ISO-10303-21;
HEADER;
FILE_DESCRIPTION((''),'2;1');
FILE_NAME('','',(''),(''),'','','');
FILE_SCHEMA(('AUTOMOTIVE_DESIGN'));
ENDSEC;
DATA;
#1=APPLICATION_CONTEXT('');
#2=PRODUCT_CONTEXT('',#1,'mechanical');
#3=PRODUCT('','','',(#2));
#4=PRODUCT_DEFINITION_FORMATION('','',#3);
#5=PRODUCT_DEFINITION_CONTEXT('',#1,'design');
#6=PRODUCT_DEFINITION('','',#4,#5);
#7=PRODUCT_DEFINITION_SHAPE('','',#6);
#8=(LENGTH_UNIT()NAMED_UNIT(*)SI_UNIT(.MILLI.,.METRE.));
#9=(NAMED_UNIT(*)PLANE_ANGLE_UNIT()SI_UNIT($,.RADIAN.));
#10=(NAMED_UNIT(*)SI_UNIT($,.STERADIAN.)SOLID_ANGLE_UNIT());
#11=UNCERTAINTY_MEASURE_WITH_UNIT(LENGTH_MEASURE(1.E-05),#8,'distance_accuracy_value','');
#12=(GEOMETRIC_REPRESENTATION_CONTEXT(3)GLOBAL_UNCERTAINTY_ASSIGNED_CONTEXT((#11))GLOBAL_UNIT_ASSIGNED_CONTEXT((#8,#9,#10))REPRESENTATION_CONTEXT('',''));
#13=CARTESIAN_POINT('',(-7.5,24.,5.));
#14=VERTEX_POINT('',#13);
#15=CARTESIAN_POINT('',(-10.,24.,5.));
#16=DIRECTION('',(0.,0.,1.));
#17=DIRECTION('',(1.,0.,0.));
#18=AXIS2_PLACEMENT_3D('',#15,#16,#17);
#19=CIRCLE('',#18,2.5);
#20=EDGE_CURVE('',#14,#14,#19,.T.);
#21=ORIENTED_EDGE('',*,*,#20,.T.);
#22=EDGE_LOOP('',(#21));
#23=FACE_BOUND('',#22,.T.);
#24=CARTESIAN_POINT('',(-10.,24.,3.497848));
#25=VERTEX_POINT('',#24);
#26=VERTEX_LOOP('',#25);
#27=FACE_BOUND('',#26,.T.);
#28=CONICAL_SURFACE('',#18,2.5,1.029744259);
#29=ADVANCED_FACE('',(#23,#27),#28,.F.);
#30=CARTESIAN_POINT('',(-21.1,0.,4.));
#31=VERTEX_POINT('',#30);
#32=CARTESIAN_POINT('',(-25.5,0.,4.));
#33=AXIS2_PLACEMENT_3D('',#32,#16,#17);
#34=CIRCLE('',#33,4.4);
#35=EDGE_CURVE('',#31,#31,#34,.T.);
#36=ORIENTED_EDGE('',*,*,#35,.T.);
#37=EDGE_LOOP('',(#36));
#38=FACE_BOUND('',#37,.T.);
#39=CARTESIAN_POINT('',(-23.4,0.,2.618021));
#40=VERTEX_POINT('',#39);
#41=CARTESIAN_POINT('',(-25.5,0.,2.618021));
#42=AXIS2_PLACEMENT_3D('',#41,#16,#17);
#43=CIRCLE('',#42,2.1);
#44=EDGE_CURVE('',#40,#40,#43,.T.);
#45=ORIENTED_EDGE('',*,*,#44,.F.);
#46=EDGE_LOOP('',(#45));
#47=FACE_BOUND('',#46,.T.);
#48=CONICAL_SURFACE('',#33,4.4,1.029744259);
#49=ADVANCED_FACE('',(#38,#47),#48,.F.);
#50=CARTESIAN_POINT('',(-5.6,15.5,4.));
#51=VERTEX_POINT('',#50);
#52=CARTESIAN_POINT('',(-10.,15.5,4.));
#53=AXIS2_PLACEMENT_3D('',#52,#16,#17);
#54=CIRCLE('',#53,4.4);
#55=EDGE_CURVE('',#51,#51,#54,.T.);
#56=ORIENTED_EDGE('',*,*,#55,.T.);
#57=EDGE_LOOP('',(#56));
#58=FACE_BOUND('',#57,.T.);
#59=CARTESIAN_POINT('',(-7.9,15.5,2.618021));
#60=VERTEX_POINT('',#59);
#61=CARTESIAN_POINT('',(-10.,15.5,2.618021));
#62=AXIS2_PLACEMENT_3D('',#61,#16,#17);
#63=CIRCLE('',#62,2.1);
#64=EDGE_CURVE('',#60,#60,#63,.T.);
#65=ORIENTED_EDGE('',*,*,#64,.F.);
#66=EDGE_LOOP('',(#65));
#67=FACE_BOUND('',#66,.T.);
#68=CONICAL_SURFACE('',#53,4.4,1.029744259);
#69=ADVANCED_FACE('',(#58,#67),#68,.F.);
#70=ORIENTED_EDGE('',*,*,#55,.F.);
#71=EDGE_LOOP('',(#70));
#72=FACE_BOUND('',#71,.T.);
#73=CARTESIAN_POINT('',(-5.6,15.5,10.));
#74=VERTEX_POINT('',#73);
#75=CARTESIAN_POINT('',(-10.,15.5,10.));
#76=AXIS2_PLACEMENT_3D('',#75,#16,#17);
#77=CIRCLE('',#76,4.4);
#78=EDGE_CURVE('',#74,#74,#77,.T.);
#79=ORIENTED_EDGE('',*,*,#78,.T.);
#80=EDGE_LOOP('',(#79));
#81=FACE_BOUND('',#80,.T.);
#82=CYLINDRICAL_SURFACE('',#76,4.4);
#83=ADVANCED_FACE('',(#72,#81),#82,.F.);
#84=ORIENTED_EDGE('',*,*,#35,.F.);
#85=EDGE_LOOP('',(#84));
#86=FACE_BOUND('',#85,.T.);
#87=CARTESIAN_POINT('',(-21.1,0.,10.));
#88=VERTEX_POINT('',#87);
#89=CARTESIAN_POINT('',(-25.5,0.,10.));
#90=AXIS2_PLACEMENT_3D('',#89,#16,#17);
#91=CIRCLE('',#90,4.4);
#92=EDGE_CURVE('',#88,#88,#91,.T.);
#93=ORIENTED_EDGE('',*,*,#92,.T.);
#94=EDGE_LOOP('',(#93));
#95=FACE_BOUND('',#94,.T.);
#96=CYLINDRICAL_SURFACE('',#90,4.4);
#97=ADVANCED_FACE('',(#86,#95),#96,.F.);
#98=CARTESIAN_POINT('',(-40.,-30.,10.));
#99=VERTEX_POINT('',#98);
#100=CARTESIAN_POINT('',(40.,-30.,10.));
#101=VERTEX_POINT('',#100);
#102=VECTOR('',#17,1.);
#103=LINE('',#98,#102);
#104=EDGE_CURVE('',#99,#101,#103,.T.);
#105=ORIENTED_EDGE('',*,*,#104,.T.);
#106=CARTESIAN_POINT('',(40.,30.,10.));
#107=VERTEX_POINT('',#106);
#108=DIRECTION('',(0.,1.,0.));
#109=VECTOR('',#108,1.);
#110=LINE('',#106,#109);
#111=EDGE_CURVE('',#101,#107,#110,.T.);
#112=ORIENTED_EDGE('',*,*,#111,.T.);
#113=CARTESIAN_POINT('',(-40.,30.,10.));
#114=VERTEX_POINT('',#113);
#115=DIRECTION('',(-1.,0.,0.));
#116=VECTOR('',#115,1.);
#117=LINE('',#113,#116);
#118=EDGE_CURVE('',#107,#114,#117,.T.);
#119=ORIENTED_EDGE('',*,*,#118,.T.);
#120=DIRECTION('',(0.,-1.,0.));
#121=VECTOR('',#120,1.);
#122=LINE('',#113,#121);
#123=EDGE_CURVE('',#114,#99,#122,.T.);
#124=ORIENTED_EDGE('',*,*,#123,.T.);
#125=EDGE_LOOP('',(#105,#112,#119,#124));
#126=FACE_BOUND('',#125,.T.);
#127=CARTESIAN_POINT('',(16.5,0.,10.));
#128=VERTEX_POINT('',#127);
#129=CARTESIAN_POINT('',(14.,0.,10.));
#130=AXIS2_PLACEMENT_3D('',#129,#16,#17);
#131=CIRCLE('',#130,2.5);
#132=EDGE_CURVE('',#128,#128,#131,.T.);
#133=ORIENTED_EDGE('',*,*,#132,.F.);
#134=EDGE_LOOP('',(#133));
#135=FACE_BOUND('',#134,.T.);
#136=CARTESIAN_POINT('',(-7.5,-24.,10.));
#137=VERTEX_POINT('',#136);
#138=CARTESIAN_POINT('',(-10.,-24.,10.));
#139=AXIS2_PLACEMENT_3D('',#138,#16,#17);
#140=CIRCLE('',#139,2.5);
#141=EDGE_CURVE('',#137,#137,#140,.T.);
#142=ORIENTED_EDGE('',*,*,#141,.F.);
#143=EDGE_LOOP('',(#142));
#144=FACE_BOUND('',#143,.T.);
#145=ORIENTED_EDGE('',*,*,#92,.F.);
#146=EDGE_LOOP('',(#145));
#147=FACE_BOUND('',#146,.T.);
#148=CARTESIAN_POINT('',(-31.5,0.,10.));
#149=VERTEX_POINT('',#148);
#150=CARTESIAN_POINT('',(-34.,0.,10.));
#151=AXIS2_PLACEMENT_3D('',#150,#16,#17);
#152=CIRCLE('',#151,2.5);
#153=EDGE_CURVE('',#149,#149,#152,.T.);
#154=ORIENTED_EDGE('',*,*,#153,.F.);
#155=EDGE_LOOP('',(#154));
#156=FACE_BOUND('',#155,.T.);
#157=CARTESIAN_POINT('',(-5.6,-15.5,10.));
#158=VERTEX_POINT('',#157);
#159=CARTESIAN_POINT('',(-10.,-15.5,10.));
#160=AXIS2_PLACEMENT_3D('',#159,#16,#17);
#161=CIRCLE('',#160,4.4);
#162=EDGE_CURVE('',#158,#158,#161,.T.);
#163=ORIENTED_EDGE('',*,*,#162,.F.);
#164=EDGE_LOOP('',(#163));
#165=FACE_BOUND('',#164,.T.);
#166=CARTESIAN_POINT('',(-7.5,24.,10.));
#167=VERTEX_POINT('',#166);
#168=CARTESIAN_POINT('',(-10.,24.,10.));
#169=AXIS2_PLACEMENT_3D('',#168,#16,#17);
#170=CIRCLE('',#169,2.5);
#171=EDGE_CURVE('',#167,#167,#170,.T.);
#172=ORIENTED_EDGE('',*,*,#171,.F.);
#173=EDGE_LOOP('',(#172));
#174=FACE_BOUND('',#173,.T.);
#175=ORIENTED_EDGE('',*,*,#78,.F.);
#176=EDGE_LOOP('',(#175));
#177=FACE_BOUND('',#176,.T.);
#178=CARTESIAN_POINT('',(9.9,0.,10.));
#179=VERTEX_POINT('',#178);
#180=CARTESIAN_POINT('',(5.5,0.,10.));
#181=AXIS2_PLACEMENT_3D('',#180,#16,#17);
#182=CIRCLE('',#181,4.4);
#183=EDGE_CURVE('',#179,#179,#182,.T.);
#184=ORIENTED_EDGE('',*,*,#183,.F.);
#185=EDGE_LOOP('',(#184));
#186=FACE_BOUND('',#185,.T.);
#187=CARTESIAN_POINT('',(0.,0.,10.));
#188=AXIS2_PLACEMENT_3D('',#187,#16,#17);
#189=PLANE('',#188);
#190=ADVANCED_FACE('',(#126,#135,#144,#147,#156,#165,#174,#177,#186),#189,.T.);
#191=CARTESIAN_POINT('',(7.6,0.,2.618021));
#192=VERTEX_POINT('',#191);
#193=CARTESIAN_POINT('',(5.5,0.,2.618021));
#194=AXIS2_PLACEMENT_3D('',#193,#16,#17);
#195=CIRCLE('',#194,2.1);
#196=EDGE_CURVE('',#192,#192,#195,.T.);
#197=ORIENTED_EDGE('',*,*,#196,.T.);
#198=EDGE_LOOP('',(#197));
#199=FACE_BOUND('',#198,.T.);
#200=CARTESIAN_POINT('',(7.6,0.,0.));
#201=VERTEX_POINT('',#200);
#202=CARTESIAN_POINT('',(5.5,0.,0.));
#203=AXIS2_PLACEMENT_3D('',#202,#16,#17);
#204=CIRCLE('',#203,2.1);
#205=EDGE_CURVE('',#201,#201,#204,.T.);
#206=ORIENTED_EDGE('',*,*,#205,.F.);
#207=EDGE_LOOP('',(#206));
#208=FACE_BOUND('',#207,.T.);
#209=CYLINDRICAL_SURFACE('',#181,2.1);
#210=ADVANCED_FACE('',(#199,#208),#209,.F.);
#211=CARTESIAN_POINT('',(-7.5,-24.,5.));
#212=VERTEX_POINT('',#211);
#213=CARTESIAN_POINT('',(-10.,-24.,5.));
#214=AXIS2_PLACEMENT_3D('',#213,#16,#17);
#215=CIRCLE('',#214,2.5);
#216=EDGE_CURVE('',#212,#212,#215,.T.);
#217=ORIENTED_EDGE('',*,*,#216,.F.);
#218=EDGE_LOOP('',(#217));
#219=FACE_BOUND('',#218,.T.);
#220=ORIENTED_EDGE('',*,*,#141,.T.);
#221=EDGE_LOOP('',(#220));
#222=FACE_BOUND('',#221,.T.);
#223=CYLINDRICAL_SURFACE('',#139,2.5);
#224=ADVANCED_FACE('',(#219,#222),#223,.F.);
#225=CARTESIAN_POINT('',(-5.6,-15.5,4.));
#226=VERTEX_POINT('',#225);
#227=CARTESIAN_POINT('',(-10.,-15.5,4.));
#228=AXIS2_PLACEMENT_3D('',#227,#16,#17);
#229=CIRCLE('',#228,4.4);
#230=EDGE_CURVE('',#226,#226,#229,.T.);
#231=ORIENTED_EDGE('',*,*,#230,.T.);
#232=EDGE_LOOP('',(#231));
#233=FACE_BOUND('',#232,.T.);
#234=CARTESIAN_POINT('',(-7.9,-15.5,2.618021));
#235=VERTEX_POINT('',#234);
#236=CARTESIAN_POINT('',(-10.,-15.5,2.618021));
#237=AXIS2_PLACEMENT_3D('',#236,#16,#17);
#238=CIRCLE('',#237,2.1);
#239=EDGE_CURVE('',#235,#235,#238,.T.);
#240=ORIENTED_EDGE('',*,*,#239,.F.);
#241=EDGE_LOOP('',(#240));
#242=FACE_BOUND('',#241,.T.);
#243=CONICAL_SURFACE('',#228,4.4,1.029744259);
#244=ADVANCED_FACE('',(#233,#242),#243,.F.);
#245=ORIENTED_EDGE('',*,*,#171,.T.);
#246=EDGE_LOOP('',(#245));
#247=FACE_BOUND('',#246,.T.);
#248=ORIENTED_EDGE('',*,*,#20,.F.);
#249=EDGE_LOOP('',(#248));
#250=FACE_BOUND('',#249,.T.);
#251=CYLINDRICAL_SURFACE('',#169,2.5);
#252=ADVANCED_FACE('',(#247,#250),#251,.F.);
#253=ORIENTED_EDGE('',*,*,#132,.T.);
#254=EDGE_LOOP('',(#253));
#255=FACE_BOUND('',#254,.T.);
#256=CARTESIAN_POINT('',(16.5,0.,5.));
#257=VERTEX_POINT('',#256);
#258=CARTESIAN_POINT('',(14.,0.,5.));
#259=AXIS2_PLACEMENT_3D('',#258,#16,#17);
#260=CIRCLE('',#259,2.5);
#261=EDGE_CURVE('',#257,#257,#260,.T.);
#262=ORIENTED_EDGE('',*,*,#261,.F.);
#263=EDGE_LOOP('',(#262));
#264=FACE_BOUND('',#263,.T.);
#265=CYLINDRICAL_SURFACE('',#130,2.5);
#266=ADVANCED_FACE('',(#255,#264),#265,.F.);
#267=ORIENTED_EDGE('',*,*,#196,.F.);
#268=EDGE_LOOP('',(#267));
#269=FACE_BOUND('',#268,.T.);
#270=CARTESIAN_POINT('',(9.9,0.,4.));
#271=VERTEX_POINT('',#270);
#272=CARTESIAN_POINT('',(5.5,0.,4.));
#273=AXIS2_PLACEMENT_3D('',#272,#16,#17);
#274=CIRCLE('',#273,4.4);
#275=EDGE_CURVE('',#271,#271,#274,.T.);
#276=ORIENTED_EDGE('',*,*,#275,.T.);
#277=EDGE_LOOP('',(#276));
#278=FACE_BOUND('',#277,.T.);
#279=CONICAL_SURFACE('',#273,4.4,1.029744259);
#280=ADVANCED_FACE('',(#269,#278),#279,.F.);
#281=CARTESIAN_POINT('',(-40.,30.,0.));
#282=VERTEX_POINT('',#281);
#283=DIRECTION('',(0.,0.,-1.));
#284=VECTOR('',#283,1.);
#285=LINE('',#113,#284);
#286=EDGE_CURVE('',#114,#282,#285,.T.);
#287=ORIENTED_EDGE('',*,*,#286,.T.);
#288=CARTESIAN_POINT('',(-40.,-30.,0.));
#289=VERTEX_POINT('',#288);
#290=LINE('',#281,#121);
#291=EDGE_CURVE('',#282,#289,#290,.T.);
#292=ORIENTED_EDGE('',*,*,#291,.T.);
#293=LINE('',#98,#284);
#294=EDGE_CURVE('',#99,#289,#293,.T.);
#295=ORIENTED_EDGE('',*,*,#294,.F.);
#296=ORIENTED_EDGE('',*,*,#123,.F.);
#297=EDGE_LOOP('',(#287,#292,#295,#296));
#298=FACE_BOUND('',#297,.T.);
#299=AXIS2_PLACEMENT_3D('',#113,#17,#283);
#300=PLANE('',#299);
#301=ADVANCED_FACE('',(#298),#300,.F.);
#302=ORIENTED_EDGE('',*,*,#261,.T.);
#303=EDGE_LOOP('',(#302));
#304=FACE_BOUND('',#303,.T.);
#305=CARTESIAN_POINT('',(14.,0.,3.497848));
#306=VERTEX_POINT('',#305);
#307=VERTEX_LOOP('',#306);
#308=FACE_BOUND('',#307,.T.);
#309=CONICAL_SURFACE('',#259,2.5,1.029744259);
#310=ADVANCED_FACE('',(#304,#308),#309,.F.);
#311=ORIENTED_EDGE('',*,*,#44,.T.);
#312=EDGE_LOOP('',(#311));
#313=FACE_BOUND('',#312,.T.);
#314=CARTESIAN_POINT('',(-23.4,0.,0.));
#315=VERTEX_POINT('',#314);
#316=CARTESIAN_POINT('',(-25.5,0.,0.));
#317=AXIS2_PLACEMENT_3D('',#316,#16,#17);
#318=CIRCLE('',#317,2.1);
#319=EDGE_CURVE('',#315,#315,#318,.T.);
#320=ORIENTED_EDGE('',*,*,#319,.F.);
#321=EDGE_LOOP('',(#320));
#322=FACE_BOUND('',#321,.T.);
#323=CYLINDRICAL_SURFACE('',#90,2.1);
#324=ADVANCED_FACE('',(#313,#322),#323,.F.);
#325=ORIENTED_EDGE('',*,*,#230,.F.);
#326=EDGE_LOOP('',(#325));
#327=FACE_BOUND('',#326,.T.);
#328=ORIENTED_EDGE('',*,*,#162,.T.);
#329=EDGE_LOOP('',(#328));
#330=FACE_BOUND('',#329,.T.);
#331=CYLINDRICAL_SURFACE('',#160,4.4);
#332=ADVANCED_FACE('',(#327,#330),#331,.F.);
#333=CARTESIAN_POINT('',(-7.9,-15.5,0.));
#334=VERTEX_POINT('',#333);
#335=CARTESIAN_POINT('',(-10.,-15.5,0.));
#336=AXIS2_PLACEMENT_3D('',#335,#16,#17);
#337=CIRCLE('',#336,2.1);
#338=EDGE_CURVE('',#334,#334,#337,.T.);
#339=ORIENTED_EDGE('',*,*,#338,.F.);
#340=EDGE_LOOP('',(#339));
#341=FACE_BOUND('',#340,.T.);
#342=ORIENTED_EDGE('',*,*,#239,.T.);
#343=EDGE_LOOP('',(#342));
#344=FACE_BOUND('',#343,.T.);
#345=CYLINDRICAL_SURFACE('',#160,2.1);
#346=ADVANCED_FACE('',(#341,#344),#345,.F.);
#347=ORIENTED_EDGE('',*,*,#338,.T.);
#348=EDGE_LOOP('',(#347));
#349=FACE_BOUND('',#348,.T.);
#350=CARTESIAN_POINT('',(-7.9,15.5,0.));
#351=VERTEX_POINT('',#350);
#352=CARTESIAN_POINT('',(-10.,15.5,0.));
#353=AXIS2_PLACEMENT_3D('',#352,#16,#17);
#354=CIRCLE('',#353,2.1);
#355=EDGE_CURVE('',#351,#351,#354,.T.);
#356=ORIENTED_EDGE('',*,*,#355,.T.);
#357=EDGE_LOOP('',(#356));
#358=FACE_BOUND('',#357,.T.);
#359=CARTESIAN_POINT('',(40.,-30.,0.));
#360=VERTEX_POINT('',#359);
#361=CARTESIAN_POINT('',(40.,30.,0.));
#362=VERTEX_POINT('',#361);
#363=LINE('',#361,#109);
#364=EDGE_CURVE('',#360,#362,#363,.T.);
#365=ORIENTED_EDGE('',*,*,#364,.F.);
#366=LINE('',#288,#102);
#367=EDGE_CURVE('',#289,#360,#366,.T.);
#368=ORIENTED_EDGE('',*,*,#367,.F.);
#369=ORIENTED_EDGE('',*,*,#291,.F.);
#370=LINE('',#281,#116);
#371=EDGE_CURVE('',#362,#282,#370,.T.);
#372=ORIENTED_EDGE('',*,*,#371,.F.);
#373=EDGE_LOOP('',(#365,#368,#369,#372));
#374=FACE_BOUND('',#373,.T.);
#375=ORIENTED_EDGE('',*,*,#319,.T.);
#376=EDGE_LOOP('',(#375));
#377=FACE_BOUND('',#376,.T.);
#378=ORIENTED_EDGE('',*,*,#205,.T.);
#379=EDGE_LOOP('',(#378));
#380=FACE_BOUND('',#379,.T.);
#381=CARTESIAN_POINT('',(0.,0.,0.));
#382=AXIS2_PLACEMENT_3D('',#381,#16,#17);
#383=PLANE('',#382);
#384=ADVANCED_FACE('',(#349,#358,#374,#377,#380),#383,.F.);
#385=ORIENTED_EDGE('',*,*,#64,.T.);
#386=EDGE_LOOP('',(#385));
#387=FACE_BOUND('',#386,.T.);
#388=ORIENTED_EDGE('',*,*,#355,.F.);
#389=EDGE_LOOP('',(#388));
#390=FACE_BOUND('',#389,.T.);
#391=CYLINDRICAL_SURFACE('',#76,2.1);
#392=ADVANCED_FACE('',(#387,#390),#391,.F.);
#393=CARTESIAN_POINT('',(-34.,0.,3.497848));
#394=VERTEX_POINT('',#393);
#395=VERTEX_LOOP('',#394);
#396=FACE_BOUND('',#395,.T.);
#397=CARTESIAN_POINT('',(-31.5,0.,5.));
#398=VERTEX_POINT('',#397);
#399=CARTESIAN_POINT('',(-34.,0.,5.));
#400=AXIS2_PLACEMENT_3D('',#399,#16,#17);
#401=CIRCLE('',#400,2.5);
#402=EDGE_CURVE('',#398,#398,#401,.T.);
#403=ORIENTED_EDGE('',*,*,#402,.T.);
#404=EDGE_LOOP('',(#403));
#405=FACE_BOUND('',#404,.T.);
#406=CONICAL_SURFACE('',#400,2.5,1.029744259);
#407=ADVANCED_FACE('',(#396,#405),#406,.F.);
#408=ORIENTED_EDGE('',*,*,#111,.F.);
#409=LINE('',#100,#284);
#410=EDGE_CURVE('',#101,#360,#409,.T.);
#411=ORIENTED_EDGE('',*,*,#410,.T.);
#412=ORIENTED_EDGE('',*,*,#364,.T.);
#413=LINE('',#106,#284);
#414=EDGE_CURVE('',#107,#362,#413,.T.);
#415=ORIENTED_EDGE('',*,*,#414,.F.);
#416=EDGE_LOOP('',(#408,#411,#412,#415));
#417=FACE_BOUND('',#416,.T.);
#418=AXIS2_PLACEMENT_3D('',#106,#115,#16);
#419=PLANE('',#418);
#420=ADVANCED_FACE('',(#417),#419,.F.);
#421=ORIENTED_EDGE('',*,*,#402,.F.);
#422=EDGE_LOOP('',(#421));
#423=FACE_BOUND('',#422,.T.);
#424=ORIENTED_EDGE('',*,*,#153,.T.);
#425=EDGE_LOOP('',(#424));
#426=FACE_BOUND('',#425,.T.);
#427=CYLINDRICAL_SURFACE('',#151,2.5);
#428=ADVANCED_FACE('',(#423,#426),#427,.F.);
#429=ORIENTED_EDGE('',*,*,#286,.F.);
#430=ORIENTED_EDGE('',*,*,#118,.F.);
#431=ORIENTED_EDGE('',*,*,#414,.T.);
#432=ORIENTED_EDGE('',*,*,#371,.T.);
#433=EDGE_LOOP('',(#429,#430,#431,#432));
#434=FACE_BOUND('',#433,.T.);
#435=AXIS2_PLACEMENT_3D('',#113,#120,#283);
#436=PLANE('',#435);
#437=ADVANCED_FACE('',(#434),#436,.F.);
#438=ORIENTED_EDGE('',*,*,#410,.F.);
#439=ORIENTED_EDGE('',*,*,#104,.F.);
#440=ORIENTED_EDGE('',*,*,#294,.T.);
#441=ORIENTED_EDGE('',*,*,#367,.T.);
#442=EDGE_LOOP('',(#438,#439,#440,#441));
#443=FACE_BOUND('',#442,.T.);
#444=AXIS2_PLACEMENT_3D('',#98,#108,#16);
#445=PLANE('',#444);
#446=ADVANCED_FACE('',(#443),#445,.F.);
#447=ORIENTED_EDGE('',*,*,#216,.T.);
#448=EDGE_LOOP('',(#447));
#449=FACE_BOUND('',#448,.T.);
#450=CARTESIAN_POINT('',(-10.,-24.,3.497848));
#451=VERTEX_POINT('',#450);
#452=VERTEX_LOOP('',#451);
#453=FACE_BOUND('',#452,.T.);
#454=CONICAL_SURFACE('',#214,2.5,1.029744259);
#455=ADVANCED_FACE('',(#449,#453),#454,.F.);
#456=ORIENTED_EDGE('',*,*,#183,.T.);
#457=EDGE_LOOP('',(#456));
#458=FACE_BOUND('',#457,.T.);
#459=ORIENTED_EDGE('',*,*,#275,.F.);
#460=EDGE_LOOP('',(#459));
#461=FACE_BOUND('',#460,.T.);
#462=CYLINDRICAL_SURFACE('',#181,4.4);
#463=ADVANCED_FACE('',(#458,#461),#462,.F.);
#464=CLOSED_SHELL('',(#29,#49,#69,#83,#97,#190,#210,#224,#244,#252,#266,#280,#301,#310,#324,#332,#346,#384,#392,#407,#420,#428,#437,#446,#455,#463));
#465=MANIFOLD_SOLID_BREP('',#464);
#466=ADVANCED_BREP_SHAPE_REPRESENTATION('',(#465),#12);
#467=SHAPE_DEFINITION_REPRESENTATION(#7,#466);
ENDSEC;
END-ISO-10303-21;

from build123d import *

# Parameters (mm, degrees)
SKETCH_1_W                  = 80
SKETCH_1_H                  = 60
EXTRUDE_1_DEPTH             = 10
HOLE_WIZARD_M5_1_D          = 4.2
HOLE_WIZARD_8_8_8_8_1_D     = 8.8
HOLE_WIZARD_8_8_8_8_1_DEPTH = 6
HOLE_WIZARD_8_8_8_8_1_TIP   = 2.643786724
HOLE_WIZARD_M6_1_D          = 5
HOLE_WIZARD_M6_1_DEPTH      = 5
HOLE_WIZARD_M6_1_TIP        = 1.502151548


with BuildPart() as part:
    # 스케치1 → 보스-돌출1 (new body)
    with BuildSketch(Plane.XY):
        Rectangle(SKETCH_1_W, SKETCH_1_H)
    extrude(amount=EXTRUDE_1_DEPTH)

    # M5 탭을 위한 탭 드릴1 (through all)
    with Locations(Plane(origin=(-25.5, 0, 10), x_dir=(1, 0, 0), z_dir=(0, 0, 1))):
        with Locations((0, 0), (15.5, -15.5), (31, 0), (15.5, 15.5)):
            Hole(HOLE_WIZARD_M5_1_D / 2)

    # Ø8.8 (8.8) 지름 구멍1
    with Locations(Plane(origin=(-25.5, 0, 10), x_dir=(1, 0, 0), z_dir=(0, 0, 1))):
        with Locations((0, 0), (15.5, 15.5), (31, 0), (15.5, -15.5)):
            Hole(HOLE_WIZARD_8_8_8_8_1_D / 2, depth=HOLE_WIZARD_8_8_8_8_1_DEPTH)
            with Locations((0, 0, -(HOLE_WIZARD_8_8_8_8_1_DEPTH + HOLE_WIZARD_8_8_8_8_1_TIP / 2))):  # 118° drill point
                Cone(0, HOLE_WIZARD_8_8_8_8_1_D / 2, HOLE_WIZARD_8_8_8_8_1_TIP, mode=Mode.SUBTRACT)

    # M6 탭을 위한 탭 드릴1
    with Locations(Plane(origin=(-10, 24, 10), x_dir=(1, 0, 0), z_dir=(0, 0, 1))):
        with Locations((0, 0), (-24, -24), (0, -48), (24, -24)):
            Hole(HOLE_WIZARD_M6_1_D / 2, depth=HOLE_WIZARD_M6_1_DEPTH)
            with Locations((0, 0, -(HOLE_WIZARD_M6_1_DEPTH + HOLE_WIZARD_M6_1_TIP / 2))):  # 118° drill point
                Cone(0, HOLE_WIZARD_M6_1_D / 2, HOLE_WIZARD_M6_1_TIP, mode=Mode.SUBTRACT)


solid = part.part
